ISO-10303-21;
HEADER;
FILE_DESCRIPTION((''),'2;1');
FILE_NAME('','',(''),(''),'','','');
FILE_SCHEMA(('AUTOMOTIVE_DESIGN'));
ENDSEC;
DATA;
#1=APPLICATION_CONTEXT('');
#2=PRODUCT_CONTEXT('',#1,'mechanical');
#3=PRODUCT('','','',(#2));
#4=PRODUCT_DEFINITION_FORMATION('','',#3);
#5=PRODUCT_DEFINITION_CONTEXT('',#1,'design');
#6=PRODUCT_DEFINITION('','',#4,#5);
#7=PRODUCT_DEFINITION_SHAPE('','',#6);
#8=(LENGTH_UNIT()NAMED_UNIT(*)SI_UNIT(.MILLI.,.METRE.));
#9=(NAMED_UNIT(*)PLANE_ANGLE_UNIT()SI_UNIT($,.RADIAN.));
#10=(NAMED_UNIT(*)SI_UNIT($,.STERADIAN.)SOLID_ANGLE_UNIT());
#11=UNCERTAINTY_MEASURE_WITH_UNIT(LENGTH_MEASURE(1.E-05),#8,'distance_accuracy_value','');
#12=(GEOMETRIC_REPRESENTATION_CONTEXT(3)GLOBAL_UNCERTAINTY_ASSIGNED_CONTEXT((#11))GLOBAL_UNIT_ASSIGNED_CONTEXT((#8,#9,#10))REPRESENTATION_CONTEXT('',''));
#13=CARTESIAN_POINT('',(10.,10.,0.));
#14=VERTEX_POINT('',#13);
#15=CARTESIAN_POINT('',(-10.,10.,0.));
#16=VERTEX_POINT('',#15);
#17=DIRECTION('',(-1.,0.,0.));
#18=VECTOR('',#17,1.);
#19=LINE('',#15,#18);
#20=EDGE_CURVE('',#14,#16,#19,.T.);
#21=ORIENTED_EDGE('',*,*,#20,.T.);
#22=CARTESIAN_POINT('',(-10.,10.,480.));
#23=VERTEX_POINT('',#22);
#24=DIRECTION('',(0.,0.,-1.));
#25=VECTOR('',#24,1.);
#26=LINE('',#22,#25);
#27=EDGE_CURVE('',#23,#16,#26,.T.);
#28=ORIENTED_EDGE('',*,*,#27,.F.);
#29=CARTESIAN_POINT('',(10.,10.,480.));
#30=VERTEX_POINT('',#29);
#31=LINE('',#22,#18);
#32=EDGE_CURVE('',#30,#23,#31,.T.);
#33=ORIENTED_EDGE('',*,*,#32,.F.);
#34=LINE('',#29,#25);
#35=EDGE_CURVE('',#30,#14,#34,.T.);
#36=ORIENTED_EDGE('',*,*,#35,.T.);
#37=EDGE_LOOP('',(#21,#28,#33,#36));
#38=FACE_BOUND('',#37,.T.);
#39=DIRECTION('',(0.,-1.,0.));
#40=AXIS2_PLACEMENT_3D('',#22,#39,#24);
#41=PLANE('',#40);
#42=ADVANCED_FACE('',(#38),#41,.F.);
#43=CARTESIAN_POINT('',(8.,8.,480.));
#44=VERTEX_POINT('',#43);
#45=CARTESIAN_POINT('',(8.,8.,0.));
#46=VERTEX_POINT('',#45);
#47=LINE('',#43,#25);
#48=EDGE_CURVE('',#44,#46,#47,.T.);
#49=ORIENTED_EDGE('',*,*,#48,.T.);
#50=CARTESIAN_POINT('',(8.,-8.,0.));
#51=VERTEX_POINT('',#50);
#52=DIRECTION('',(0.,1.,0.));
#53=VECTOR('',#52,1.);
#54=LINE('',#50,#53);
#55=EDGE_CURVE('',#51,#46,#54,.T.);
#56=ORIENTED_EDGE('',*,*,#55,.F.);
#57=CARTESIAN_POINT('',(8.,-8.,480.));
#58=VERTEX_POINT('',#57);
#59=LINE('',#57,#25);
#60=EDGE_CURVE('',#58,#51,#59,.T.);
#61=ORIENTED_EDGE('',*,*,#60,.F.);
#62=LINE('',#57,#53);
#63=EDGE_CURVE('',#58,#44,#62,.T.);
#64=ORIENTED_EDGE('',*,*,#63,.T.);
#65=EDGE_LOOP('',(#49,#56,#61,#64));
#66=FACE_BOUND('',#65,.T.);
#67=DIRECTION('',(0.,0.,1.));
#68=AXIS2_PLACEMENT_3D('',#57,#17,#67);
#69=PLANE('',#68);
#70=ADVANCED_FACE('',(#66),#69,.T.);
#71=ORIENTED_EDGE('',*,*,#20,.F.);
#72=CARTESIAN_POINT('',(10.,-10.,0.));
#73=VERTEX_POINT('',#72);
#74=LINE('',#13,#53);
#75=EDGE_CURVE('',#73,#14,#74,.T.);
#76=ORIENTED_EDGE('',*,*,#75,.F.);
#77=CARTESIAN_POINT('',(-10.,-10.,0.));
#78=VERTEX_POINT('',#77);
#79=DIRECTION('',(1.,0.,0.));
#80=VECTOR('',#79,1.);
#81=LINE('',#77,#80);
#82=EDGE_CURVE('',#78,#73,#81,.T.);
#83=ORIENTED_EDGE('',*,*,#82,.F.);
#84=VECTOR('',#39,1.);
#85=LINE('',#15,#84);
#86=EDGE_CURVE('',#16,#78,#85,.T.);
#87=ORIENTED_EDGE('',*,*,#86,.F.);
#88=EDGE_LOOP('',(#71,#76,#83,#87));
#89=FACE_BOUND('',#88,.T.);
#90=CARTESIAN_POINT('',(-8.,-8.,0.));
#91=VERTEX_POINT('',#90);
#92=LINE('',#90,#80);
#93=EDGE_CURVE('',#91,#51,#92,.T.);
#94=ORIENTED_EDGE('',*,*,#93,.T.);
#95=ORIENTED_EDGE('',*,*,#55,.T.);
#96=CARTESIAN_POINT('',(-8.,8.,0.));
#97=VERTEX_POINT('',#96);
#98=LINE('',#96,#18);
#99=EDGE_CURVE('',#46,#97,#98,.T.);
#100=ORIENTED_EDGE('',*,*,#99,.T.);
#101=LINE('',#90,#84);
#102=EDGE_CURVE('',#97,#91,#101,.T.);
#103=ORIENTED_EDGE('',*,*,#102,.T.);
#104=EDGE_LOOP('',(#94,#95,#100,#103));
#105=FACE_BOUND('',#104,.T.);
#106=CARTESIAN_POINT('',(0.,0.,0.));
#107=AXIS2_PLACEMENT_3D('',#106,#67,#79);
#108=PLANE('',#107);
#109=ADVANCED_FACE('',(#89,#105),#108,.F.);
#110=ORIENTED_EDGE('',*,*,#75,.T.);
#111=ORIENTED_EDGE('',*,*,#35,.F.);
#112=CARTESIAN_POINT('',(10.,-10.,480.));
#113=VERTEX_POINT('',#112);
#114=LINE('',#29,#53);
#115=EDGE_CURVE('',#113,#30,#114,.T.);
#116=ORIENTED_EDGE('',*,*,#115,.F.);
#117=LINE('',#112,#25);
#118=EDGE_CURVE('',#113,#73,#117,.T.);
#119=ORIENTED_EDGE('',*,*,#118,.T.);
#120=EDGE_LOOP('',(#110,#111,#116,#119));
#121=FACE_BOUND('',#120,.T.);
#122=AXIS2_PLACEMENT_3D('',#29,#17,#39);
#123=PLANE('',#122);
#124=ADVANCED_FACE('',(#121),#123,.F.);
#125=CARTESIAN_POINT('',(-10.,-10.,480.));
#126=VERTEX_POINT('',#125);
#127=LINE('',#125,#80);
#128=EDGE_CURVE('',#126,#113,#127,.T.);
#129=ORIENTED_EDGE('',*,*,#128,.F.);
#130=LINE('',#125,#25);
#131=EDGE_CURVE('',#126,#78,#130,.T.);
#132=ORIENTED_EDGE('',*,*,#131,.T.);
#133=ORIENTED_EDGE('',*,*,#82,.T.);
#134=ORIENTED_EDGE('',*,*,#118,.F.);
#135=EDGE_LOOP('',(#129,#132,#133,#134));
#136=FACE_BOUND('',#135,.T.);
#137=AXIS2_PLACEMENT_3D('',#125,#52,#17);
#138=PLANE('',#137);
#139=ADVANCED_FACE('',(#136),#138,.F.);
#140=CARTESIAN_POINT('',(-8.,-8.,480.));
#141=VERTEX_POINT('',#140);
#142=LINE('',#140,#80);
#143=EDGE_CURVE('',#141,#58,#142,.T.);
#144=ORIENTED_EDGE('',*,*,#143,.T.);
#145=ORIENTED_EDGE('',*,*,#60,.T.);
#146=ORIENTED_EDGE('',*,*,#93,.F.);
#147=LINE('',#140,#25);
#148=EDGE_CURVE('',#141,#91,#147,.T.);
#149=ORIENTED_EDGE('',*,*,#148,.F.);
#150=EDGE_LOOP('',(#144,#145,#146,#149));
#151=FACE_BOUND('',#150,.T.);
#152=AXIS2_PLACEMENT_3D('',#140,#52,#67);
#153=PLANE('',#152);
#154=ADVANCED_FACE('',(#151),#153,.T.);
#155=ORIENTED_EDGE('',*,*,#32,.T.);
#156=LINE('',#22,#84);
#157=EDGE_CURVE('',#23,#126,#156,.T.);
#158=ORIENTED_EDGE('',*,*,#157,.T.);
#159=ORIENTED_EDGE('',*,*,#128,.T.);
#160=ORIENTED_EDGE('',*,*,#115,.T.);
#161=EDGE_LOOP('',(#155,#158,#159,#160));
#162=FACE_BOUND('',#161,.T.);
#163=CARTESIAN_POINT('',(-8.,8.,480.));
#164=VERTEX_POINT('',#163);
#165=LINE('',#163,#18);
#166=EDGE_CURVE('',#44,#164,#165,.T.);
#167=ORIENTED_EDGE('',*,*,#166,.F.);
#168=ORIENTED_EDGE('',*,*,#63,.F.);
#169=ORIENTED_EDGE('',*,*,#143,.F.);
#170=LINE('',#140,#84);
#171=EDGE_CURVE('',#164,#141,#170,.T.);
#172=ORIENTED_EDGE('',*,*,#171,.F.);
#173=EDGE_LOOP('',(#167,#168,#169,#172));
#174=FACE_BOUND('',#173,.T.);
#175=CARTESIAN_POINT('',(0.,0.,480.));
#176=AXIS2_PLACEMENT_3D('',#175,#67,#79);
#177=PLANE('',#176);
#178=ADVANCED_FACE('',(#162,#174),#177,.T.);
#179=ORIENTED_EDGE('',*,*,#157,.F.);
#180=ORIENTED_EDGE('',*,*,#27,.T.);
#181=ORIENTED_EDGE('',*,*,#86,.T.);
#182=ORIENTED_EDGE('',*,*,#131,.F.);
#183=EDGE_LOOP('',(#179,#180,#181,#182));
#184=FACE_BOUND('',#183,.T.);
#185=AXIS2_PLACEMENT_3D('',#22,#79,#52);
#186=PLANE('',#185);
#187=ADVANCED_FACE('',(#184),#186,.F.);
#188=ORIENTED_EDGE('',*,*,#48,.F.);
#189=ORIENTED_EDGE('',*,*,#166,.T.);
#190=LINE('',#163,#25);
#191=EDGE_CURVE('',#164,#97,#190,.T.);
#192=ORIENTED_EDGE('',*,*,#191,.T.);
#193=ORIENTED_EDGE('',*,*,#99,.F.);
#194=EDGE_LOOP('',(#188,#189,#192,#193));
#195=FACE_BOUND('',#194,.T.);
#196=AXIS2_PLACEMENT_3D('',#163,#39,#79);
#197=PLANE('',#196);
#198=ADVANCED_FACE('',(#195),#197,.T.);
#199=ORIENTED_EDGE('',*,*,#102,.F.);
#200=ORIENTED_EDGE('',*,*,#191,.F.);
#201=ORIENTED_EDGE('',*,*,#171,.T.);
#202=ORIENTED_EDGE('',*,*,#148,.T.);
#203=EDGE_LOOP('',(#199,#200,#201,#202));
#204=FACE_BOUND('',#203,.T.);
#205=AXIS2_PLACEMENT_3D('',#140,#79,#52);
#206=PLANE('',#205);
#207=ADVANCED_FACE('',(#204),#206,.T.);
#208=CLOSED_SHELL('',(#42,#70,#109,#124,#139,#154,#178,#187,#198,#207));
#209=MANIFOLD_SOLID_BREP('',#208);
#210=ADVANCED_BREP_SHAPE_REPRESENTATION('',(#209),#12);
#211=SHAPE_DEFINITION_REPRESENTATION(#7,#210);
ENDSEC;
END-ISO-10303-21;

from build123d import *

# Parameters (mm, degrees)
SZKIC1_W                    = 20
SZKIC1_H                    = 20
SZKIC1_W_2                  = 16
SZKIC1_H_2                  = 16
DODANIE_WYCI_GNI_CIE1_DEPTH = 480


with BuildPart() as part:
    # Szkic1 → Dodanie-wyciągnięcie1 (new body)
    with BuildSketch(Plane.XY):
        Rectangle(SZKIC1_W, SZKIC1_H)
        Rectangle(SZKIC1_W_2, SZKIC1_H_2, mode=Mode.SUBTRACT)
    extrude(amount=DODANIE_WYCI_GNI_CIE1_DEPTH)


solid = part.part
